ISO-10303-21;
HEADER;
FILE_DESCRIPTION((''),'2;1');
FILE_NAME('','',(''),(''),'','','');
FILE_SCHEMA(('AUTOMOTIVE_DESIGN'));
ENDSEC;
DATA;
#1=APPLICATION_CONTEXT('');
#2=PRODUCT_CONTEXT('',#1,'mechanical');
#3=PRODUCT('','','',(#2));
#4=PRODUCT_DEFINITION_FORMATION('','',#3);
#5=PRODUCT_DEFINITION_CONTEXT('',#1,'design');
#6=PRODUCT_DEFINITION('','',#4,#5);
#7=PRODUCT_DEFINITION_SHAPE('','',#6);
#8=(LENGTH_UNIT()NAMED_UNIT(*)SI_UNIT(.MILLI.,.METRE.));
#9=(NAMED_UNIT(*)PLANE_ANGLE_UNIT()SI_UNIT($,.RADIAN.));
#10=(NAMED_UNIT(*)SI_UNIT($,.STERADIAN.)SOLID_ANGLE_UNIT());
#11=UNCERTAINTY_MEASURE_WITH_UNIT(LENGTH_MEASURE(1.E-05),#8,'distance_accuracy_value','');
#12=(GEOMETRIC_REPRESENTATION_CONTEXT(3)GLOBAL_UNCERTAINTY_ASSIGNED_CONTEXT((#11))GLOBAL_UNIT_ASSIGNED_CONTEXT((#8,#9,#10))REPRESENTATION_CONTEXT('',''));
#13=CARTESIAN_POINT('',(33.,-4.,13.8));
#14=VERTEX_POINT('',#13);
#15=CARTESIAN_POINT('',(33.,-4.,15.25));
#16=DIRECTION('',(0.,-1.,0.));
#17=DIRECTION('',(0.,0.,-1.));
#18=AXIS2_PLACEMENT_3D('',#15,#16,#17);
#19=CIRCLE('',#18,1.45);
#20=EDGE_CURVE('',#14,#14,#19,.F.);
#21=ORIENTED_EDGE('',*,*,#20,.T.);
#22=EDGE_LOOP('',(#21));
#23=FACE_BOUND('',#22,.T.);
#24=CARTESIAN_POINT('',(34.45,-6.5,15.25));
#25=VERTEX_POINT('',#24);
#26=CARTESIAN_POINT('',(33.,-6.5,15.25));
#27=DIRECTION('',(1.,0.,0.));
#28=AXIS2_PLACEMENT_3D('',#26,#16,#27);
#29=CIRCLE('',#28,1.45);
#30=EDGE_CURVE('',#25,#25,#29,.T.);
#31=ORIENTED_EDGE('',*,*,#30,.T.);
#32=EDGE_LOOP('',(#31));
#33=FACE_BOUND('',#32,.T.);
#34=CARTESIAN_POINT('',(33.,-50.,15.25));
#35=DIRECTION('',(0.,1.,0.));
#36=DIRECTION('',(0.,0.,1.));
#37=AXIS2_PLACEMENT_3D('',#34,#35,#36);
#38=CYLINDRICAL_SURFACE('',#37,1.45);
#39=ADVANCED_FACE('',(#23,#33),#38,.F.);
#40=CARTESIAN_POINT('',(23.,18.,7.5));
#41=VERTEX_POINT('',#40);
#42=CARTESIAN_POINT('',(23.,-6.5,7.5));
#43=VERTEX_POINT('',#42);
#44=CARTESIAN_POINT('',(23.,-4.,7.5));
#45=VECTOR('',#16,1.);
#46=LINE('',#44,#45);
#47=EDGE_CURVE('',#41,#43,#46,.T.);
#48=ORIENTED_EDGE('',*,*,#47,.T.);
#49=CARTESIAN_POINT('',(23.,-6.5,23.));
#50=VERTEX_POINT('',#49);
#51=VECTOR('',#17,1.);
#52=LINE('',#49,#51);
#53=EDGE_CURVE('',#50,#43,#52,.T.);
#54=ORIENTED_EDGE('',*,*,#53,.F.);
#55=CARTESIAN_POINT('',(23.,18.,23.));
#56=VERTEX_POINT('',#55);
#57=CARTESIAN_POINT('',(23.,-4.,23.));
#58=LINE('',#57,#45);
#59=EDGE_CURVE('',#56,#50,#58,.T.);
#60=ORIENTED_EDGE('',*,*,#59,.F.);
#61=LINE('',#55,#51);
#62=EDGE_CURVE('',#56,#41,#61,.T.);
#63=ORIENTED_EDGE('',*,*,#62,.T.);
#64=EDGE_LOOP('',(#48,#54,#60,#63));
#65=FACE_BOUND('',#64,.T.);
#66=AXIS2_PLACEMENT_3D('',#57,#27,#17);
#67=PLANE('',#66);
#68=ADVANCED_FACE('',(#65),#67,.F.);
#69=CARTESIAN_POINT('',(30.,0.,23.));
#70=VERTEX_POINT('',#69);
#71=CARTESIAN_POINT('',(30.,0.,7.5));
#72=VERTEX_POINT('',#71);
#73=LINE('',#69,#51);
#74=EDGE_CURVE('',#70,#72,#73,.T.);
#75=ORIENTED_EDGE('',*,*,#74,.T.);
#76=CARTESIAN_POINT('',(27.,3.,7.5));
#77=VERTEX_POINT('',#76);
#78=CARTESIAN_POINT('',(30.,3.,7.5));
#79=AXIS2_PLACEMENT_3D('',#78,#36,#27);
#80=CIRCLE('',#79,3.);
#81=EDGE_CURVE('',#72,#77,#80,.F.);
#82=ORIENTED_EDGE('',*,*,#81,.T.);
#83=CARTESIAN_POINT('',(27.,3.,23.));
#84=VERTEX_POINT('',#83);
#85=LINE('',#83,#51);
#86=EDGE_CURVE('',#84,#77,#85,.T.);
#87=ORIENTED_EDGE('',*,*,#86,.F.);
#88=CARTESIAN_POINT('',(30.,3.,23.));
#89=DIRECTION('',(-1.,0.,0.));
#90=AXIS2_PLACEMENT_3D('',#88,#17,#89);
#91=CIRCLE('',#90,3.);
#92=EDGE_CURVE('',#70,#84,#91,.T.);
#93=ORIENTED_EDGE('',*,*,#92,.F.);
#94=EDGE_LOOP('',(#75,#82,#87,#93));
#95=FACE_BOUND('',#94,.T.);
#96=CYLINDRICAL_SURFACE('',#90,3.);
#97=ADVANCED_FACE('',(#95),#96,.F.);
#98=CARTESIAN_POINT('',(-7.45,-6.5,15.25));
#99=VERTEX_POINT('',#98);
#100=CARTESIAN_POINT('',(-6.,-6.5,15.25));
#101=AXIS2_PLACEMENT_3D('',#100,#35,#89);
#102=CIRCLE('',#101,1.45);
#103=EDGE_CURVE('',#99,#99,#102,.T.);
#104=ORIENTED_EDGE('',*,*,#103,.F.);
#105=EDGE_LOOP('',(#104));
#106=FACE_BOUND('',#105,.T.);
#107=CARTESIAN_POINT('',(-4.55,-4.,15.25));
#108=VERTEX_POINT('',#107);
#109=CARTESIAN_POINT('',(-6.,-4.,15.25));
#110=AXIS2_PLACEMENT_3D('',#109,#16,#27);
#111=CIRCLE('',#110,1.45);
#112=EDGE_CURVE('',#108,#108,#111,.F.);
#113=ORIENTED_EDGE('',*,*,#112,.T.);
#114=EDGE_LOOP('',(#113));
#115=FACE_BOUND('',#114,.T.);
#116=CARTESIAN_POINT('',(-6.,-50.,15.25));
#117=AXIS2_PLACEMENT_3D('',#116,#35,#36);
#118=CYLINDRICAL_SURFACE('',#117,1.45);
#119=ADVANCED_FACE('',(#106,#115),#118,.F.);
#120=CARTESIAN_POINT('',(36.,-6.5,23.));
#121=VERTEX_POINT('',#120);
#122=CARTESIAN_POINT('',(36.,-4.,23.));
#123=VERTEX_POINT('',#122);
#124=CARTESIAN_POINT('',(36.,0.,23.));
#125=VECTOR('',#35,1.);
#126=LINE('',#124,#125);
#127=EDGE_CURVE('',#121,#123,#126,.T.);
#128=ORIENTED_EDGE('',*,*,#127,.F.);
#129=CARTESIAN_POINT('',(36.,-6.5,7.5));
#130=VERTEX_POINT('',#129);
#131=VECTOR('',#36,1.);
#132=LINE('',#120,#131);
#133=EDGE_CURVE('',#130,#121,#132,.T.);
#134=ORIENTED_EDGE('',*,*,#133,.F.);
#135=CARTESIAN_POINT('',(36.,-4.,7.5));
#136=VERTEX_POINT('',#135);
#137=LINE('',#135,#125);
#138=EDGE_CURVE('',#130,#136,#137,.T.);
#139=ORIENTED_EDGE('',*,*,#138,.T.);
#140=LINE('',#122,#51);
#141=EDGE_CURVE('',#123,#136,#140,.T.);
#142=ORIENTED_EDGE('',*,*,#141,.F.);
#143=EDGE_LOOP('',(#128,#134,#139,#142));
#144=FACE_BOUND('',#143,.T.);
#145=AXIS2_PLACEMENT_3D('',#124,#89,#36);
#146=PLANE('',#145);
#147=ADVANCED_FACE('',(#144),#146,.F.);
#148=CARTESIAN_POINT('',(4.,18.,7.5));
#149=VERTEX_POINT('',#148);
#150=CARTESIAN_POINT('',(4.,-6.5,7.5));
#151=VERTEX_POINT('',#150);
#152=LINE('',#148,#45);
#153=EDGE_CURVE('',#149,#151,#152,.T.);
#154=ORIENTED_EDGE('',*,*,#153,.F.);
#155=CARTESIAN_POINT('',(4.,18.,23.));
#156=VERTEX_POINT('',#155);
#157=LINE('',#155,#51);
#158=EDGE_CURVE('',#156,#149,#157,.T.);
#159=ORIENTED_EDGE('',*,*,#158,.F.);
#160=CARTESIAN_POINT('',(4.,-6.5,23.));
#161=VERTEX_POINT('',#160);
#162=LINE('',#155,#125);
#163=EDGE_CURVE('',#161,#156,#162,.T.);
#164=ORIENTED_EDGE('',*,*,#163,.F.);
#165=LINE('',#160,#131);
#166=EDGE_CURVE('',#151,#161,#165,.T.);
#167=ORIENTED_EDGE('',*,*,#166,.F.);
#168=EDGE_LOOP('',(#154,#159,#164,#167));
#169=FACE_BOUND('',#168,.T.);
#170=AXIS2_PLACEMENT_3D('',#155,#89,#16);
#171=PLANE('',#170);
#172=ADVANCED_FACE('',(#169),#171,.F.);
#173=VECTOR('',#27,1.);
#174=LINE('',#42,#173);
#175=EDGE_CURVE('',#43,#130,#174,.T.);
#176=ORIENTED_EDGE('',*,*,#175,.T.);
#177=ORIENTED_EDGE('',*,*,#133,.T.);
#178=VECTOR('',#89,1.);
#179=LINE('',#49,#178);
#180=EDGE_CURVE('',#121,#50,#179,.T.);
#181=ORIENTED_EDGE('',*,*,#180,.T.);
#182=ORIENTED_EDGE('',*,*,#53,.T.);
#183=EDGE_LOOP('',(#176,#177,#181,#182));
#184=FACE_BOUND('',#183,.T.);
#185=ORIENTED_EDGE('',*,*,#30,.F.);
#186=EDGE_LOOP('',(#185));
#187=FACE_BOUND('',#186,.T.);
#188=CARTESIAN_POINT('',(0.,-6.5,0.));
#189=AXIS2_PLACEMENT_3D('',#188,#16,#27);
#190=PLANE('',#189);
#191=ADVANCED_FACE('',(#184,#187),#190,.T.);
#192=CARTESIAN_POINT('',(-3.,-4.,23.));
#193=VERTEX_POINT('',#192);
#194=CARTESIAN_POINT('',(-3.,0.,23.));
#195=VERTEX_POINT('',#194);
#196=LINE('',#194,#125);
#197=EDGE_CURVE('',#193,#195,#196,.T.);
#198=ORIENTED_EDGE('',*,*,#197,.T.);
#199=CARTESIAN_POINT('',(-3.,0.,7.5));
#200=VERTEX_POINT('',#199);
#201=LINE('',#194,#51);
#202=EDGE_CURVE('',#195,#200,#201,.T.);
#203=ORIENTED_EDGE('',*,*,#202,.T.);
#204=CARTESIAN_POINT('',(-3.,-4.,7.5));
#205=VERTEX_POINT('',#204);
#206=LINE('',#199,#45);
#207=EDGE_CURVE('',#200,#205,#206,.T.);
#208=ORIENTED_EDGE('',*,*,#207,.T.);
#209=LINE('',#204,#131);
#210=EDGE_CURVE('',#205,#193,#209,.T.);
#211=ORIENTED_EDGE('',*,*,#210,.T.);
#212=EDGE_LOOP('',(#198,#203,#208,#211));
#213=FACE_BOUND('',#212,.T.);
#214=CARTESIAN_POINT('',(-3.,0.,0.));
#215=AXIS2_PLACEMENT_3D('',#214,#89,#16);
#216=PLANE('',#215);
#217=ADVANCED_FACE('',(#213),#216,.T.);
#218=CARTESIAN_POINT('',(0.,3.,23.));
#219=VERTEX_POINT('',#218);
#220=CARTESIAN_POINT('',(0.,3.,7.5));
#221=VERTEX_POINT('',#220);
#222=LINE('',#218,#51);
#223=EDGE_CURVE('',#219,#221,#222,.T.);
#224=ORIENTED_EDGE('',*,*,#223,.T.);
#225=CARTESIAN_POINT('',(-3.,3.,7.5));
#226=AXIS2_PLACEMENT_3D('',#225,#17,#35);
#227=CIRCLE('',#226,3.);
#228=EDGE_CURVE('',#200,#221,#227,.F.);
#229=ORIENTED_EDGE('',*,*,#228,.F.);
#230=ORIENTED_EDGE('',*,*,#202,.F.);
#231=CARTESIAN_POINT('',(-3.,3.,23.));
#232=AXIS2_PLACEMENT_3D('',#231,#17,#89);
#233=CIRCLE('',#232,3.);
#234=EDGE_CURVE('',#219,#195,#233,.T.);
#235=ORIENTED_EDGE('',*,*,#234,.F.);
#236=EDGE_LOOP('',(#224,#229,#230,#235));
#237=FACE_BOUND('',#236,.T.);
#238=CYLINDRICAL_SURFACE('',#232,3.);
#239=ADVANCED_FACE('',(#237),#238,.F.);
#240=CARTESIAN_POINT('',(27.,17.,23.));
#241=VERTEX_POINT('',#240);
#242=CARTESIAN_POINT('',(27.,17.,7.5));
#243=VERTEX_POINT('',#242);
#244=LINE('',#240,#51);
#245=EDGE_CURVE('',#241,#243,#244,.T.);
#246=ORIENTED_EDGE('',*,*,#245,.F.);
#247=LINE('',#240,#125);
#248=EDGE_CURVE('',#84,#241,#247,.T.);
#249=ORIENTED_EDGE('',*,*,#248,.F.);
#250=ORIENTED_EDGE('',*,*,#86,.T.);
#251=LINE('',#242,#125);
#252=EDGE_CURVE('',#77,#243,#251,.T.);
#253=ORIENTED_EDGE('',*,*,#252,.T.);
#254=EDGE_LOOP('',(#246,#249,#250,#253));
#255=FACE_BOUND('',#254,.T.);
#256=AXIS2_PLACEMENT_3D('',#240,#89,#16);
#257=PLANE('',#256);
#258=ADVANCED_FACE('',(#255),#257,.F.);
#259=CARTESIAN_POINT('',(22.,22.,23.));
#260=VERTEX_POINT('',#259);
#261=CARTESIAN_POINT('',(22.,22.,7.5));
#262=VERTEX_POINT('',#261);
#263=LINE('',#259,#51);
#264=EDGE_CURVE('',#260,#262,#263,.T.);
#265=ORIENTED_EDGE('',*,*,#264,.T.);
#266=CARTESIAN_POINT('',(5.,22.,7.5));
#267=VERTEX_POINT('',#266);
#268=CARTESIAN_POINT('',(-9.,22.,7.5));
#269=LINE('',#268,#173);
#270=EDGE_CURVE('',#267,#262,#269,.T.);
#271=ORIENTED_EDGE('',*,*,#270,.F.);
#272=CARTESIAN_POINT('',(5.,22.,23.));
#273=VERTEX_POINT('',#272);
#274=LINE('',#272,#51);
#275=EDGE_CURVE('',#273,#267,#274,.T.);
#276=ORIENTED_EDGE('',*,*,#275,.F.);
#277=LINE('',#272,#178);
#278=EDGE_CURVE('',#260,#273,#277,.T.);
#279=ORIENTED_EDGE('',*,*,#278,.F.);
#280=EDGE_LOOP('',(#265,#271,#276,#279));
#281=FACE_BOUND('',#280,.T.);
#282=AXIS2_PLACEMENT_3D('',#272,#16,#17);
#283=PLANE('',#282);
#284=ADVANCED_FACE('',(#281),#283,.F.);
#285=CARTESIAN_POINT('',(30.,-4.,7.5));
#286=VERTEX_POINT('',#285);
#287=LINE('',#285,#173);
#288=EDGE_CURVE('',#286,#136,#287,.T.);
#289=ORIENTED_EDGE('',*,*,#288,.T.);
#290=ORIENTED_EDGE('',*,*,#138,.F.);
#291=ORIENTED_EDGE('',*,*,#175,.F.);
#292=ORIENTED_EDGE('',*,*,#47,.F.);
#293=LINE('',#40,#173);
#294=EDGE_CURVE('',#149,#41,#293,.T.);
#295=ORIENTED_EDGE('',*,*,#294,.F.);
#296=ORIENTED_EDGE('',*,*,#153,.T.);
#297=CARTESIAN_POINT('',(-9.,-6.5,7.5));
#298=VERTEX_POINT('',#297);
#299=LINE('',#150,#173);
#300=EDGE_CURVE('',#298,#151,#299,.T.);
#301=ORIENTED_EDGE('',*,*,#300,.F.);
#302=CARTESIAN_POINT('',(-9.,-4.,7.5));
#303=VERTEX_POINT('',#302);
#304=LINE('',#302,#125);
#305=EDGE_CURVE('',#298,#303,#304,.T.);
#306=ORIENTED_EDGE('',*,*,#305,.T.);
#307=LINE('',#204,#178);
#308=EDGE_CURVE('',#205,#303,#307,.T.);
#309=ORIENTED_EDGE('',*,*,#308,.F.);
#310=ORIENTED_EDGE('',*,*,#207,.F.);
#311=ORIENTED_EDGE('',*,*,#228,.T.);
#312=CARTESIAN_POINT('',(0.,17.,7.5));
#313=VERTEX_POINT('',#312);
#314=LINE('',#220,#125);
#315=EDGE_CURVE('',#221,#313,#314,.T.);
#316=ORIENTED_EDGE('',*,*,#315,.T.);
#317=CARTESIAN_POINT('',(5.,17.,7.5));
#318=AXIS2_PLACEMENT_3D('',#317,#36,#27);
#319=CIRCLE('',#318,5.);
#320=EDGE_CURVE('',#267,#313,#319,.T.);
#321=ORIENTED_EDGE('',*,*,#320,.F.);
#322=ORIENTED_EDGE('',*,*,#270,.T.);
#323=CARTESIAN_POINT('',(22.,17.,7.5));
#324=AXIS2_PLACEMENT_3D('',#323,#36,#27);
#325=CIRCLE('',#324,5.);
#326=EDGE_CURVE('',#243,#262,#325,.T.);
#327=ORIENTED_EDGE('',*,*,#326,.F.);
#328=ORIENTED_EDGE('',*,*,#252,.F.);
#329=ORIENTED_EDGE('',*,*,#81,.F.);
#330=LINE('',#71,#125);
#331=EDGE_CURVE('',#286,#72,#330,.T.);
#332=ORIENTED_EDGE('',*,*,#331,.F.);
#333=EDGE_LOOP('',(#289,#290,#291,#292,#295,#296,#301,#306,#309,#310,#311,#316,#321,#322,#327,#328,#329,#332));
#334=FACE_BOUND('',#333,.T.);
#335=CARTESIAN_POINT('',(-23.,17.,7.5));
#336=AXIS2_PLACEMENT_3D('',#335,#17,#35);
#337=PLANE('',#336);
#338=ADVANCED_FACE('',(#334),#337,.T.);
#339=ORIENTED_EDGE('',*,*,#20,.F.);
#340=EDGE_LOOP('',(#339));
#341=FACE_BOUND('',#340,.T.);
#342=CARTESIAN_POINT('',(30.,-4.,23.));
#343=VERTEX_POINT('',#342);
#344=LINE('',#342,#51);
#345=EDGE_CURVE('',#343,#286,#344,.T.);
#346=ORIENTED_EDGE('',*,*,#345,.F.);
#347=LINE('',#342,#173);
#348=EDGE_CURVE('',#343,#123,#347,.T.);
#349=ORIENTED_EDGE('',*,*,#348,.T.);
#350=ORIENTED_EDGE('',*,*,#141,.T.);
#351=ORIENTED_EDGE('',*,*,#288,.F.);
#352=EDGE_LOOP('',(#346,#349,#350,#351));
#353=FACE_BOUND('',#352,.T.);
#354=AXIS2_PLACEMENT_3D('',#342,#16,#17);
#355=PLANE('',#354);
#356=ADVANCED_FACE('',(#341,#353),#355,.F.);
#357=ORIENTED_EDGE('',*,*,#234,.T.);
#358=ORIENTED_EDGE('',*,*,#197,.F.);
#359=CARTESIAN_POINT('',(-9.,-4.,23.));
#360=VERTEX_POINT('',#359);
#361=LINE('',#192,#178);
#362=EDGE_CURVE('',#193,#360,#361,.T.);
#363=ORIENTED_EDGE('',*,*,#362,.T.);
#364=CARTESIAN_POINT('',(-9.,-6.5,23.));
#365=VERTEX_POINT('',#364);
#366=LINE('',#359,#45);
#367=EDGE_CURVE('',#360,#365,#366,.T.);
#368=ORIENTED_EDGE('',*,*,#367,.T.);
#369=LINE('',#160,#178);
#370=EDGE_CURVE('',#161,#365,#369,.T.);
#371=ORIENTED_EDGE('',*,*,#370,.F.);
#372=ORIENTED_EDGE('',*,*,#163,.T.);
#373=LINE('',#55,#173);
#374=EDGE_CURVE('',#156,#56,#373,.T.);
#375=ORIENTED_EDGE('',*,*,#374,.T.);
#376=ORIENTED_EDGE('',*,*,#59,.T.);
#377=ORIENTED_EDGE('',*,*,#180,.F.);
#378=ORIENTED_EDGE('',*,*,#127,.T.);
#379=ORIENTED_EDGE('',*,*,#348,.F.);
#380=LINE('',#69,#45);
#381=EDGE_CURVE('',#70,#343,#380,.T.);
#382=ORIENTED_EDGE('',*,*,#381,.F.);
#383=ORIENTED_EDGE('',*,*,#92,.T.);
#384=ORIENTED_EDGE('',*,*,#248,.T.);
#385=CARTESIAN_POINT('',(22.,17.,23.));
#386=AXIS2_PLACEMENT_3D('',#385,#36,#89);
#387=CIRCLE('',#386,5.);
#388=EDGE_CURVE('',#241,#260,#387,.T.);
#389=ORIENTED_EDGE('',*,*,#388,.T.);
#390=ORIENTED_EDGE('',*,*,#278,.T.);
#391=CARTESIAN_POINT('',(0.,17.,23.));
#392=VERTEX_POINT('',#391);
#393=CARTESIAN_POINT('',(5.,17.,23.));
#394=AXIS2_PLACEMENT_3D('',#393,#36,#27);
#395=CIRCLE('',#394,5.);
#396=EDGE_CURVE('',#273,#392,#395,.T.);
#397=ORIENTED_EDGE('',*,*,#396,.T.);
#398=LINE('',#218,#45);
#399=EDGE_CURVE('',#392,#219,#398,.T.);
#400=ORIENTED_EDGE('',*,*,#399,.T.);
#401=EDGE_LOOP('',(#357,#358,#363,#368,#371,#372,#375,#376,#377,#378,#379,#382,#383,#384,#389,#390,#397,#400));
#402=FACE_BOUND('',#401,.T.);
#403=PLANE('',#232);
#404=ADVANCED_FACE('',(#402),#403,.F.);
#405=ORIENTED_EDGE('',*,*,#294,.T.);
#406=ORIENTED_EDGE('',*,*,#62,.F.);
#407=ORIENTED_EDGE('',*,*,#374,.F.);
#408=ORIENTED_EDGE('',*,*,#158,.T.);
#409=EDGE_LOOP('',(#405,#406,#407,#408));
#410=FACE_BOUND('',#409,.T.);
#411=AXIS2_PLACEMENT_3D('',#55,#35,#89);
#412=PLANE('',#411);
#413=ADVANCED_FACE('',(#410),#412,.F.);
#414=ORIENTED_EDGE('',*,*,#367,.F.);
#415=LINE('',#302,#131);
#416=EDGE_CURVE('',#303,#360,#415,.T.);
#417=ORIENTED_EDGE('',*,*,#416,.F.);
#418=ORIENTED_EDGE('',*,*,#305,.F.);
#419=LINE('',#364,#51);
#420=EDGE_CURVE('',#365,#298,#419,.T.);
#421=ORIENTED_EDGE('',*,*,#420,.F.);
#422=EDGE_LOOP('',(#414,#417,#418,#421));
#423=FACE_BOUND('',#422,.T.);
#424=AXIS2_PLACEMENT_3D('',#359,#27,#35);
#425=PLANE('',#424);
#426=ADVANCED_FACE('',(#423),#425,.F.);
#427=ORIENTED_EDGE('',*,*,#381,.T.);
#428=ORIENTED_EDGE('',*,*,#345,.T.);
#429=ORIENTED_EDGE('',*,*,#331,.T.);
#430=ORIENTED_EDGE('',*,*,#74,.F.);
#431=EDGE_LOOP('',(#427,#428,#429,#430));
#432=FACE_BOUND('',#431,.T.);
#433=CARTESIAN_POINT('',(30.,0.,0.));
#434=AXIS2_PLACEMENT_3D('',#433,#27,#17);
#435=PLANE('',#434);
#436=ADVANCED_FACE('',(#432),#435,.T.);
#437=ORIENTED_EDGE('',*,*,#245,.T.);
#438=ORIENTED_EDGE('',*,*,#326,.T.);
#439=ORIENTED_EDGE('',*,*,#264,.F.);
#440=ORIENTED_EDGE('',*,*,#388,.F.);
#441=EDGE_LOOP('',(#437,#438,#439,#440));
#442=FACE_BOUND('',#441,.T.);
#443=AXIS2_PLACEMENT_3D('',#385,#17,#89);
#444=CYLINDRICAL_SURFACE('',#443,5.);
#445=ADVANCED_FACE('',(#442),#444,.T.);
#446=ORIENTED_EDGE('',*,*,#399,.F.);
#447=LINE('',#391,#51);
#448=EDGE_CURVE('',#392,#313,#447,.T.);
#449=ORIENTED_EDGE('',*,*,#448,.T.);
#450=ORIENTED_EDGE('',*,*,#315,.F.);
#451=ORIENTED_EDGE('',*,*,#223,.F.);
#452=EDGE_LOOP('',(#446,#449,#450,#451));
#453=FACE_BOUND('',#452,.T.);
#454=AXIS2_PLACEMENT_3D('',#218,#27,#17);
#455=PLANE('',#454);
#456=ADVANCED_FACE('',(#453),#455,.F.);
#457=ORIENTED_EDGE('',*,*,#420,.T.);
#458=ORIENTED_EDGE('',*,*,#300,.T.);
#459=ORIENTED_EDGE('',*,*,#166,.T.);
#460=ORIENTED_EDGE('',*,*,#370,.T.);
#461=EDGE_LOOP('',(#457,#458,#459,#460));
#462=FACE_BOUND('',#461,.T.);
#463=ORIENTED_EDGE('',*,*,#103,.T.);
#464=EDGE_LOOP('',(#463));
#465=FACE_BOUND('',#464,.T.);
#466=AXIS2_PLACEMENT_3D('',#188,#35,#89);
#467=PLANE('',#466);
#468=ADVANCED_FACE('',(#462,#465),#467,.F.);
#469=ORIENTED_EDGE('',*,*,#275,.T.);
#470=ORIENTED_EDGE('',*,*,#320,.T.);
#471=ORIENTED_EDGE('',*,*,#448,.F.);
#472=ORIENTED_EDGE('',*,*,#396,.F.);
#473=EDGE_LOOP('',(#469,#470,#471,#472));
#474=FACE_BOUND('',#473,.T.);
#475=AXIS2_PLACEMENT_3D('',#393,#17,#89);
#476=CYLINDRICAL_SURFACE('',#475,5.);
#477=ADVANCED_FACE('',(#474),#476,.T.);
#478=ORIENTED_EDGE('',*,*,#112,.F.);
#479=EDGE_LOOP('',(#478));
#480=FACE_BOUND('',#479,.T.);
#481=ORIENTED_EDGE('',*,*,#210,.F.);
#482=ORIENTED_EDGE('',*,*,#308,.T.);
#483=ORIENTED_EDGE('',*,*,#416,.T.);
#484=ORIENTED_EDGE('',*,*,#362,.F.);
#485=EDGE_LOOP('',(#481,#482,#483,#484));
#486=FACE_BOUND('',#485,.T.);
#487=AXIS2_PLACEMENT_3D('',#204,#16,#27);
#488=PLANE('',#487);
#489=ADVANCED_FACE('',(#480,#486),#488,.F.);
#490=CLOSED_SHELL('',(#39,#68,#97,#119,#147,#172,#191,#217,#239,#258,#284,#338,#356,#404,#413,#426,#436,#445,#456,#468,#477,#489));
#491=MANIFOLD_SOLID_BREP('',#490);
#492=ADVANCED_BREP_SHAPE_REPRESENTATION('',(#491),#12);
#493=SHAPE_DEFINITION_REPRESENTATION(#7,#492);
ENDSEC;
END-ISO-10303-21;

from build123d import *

# Parameters (mm, degrees)
BOSS_EXTRUDE1_DEPTH     = 23
CUT_EXTRUDE2_DEPTH      = 23
CUT_EXTRUDE2_DEPTH_BACK = 10
SKETCH4_W               = 3.5
SKETCH4_H               = 21
SKETCH5_W               = 45
SKETCH5_H               = 7.5
CUT_EXTRUDE3_DEPTH      = 26
SKETCH7_R               = 1.45
CUT_EXTRUDE4_DEPTH      = 50
SKETCH8_W               = 13
SKETCH8_H               = 15.5
BOSS_EXTRUDE2_DEPTH     = 2.5
SKETCH9_R               = 1.45
CUT_EXTRUDE5_DEPTH      = 10
SKETCH10_W              = 15.5
SKETCH10_H              = 4
CUT_EXTRUDE7_DEPTH      = 6
SKETCH11_W              = 15.5
SKETCH11_H              = 4
CUT_EXTRUDE8_DEPTH      = 6


with BuildPart() as part:
    # Sketch1 → Boss-Extrude1 (new body)
    with BuildSketch(Plane.XY):
        with BuildLine():
            Line((0, 3), (0, 17))
            ThreePointArc((0, 17), (1.464466094, 20.535533906), (5, 22))
            Line((5, 22), (22, 22))
            ThreePointArc((22, 22), (25.535533906, 20.535533906), (27, 17))
            Line((27, 17), (27, 3))
            ThreePointArc((27, 3), (27.878679656, 0.878679656), (30, 0))
            Line((30, 0), (36, 0))
            Line((36, 0), (36, -4))
            Line((36, -4), (23, -4))
            Line((23, -4), (23, 18))
            Line((23, 18), (4, 18))
            Line((4, 18), (4, -4))
            Line((4, -4), (-9, -4))
            Line((-9, -4), (-9, 0))
            Line((-9, 0), (-3, 0))
            ThreePointArc((-3, 0), (-0.878679656, 0.878679656), (0, 3))
        make_face()
    extrude(amount=BOSS_EXTRUDE1_DEPTH)

    # Sketch4 → Cut-Extrude2 (cut, two sides: drawn at the far end of the back side and taken through both)
    with BuildSketch(Plane.ZY.offset(-CUT_EXTRUDE2_DEPTH_BACK)):
        with Locations((5.75, 6.5)):
            Rectangle(SKETCH4_W, SKETCH4_H)
    extrude(amount=CUT_EXTRUDE2_DEPTH + CUT_EXTRUDE2_DEPTH_BACK, mode=Mode.SUBTRACT)

    # Sketch5 → Cut-Extrude3 (cut)
    with BuildSketch(Plane(origin=(0, 22, 0), x_dir=(1, 0, 0), z_dir=(0, 1, 0))):
        with Locations((13.5, -3.75)):
            Rectangle(SKETCH5_W, SKETCH5_H)
    extrude(amount=-CUT_EXTRUDE3_DEPTH, mode=Mode.SUBTRACT)

    # Sketch7 → Cut-Extrude4 (cut)
    with BuildSketch(Plane(origin=(0, 0, 0), x_dir=(1, 0, 0), z_dir=(0, 1, 0))):
        with Locations(Location((-6, -15.25, 0), (0, 0, 270))):
            Circle(SKETCH7_R)
        with Locations(Location((33, -15.25, 0), (0, 0, 180))):
            Circle(SKETCH7_R)
    extrude(amount=-CUT_EXTRUDE4_DEPTH, mode=Mode.SUBTRACT)

    # Sketch8 → Boss-Extrude2 (add)
    with BuildSketch(Plane.XZ.offset(4)):
        with Locations((29.5, 15.25)):
            Rectangle(SKETCH8_W, SKETCH8_H)
        with Locations((-2.5, 15.25)):
            Rectangle(SKETCH8_W, SKETCH8_H)
    extrude(amount=BOSS_EXTRUDE2_DEPTH)

    # Sketch9 → Cut-Extrude5 (cut)
    with BuildSketch(Plane(origin=(0, -4, 0), x_dir=(1, 0, 0), z_dir=(0, 1, 0))):
        with Locations((33, -15.25)):
            Circle(SKETCH9_R)
        with Locations(Location((-6, -15.25, 0), (0, 0, 270))):
            Circle(SKETCH9_R)
    extrude(amount=-CUT_EXTRUDE5_DEPTH, mode=Mode.SUBTRACT)

    # Sketch10 → Cut-Extrude7 (cut)
    with BuildSketch(Plane.ZY.offset(9)):
        with Locations((15.25, -2)):
            Rectangle(SKETCH10_W, SKETCH10_H)
    extrude(amount=-CUT_EXTRUDE7_DEPTH, mode=Mode.SUBTRACT)

    # Sketch11 → Cut-Extrude8 (cut)
    with BuildSketch(Plane(origin=(36, 0, 0), x_dir=(0, 0, -1), z_dir=(1, 0, 0))):
        with Locations((-15.25, -2)):
            Rectangle(SKETCH11_W, SKETCH11_H)
    extrude(amount=-CUT_EXTRUDE8_DEPTH, mode=Mode.SUBTRACT)


solid = part.part
